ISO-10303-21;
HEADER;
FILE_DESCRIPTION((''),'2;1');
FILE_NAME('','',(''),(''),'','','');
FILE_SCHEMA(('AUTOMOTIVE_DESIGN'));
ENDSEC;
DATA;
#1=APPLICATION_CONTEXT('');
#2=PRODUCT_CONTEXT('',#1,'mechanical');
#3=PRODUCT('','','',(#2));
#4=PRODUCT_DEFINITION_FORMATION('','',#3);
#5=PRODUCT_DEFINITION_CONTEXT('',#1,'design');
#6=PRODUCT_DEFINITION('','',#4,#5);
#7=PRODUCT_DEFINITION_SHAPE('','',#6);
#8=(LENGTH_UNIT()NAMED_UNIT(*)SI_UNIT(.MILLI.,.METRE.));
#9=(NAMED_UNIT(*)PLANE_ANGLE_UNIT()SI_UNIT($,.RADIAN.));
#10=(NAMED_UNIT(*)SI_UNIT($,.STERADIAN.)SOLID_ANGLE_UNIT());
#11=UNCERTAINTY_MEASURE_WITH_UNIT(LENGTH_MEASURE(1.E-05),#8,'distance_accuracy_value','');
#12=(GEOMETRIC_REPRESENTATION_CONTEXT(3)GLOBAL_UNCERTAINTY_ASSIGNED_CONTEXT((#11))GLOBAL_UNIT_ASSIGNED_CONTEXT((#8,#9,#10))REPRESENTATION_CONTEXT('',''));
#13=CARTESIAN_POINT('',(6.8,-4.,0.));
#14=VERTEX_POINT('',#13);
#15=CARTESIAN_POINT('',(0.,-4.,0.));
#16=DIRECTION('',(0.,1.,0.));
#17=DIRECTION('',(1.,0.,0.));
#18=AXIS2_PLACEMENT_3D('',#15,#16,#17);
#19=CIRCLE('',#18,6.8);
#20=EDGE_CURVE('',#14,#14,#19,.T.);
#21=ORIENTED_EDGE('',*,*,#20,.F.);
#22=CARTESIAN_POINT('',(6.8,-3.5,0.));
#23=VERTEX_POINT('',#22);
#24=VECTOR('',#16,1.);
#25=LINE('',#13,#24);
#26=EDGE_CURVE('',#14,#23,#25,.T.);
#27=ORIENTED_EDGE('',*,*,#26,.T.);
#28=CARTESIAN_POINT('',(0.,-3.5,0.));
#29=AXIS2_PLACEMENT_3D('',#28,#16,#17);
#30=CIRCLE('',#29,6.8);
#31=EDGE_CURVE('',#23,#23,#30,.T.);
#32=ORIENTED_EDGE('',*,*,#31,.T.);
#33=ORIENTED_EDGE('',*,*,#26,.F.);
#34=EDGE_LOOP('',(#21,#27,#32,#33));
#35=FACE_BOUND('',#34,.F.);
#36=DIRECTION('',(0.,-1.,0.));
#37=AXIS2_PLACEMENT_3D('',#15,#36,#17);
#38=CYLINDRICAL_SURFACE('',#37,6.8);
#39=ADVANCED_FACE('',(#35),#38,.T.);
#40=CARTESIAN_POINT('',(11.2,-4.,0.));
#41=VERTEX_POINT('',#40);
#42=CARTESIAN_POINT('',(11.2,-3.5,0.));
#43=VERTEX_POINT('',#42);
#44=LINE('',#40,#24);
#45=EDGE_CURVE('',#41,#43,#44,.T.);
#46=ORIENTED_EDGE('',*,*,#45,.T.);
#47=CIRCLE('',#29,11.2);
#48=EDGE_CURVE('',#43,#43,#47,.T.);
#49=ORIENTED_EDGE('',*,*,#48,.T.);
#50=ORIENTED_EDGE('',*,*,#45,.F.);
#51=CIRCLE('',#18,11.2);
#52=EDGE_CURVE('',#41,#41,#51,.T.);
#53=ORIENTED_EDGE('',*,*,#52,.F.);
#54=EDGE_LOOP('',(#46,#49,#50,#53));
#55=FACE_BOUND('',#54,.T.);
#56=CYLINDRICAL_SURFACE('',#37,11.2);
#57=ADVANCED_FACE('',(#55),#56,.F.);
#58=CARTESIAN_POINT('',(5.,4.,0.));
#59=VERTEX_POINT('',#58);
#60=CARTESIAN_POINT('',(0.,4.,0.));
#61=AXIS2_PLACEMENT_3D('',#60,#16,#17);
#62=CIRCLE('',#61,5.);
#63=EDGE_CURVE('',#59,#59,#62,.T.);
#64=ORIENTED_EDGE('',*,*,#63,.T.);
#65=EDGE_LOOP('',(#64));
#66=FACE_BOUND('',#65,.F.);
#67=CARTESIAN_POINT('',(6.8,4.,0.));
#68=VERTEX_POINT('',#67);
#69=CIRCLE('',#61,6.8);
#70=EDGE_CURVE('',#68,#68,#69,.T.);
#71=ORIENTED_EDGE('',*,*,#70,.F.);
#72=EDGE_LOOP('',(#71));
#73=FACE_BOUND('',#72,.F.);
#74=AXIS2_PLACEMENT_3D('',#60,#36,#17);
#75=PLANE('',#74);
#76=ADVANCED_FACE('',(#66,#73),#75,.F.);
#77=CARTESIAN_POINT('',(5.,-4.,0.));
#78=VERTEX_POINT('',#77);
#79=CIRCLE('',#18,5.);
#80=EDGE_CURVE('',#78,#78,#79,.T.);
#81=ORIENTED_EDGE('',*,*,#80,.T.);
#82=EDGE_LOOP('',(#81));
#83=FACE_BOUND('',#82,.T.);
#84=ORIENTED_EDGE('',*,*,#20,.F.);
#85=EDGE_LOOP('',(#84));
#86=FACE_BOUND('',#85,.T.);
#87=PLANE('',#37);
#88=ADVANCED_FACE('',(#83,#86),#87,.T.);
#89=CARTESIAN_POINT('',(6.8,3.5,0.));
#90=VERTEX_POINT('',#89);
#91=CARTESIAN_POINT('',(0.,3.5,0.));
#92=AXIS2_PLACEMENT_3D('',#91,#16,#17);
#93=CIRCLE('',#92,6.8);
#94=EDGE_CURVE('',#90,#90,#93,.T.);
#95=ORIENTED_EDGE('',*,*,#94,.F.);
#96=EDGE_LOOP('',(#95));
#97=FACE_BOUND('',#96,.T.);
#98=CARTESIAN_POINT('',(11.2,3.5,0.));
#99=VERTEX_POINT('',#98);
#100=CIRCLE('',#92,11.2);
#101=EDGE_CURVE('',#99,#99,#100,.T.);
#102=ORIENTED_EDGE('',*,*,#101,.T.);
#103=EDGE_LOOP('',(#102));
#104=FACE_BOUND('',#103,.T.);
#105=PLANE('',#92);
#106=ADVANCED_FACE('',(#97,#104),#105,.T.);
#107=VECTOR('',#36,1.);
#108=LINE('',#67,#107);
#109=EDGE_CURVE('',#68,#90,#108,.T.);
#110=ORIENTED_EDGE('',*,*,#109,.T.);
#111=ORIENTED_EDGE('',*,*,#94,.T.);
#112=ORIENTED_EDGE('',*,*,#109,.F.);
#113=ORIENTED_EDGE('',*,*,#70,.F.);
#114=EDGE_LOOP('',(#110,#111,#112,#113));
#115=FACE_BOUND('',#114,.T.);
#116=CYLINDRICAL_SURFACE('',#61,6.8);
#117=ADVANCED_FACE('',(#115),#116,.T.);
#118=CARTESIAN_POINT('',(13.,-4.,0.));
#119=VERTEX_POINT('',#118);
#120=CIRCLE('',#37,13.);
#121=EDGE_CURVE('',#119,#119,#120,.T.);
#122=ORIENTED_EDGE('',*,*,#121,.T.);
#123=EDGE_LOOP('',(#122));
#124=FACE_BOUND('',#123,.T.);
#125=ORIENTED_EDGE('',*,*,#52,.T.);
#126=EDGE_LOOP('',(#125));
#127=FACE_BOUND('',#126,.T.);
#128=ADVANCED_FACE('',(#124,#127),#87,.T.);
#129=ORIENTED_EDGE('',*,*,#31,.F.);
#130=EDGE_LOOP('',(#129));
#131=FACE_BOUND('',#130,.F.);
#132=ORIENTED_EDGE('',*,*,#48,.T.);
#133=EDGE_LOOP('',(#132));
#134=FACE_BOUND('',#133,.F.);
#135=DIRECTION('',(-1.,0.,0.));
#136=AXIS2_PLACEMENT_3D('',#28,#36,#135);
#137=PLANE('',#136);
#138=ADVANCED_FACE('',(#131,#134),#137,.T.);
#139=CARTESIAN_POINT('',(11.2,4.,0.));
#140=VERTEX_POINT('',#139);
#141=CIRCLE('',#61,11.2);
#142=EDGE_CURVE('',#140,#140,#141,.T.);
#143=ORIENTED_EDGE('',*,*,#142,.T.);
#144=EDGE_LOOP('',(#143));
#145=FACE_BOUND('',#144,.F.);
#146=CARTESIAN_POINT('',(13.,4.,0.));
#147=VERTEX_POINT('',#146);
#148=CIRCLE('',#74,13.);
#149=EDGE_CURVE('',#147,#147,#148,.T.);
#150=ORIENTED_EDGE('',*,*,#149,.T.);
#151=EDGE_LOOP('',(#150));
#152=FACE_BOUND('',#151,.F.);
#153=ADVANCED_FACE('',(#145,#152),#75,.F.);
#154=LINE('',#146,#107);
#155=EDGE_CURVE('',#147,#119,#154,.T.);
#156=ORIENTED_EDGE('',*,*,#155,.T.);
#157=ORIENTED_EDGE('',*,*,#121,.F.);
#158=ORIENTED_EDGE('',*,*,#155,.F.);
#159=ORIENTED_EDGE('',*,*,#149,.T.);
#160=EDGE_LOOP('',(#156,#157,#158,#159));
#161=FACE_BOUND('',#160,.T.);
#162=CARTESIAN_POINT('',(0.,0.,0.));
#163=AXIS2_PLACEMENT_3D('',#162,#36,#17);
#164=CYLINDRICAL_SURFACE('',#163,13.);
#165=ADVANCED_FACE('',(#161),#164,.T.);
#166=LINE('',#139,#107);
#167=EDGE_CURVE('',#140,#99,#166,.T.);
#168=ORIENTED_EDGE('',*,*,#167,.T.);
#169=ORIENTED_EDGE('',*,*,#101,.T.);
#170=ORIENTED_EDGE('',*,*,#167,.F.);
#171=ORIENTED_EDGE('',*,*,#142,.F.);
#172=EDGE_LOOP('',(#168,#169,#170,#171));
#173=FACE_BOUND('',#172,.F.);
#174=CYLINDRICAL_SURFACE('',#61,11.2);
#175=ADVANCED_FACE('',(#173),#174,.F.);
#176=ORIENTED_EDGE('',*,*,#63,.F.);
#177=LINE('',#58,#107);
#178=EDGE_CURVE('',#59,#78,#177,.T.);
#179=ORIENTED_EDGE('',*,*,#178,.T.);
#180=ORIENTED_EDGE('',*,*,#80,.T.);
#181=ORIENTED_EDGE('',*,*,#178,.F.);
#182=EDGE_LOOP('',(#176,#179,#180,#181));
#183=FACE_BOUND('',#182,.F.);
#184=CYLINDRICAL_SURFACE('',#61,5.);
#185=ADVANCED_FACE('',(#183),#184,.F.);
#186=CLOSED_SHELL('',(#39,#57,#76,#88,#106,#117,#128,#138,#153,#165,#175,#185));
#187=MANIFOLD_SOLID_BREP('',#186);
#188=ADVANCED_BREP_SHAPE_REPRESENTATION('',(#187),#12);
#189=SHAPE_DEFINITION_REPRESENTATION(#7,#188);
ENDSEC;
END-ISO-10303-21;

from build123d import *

# Parameters (mm, degrees)
SKETCH_R        = 13
PAD_DEPTH       = 4
SKETCH001_R     = 11.2
SKETCH001_R_2   = 6.8
POCKET_DEPTH    = 0.5
SKETCH002_R     = 5
POCKET001_DEPTH = 8.001


with BuildPart() as part:
    # Sketch → Pad (new body, symmetric)
    with BuildSketch(Plane.XZ):
        Circle(SKETCH_R)
    extrude(amount=PAD_DEPTH, both=True)

    # Sketch001 (on Face2 of Pad) → Pocket (cut)
    with BuildSketch(Plane(origin=(0, 4, 0), x_dir=(1, 0, 0), z_dir=(0, 1, 0))):
        Circle(SKETCH001_R)
        Circle(SKETCH001_R_2, mode=Mode.SUBTRACT)
    pocket = extrude(amount=-POCKET_DEPTH, mode=Mode.SUBTRACT)

    # Mirrored: Pocket across XZ
    add(pocket.mirror(Plane.XZ), mode=Mode.SUBTRACT)

    # Sketch002 (on Face10 of Mirrored) → Pocket001 (cut, through all)
    with BuildSketch(Plane(origin=(0, 4, 0), x_dir=(1, 0, 0), z_dir=(0, 1, 0))):
        Circle(SKETCH002_R)
    extrude(amount=-POCKET001_DEPTH, mode=Mode.SUBTRACT)


solid = part.part
